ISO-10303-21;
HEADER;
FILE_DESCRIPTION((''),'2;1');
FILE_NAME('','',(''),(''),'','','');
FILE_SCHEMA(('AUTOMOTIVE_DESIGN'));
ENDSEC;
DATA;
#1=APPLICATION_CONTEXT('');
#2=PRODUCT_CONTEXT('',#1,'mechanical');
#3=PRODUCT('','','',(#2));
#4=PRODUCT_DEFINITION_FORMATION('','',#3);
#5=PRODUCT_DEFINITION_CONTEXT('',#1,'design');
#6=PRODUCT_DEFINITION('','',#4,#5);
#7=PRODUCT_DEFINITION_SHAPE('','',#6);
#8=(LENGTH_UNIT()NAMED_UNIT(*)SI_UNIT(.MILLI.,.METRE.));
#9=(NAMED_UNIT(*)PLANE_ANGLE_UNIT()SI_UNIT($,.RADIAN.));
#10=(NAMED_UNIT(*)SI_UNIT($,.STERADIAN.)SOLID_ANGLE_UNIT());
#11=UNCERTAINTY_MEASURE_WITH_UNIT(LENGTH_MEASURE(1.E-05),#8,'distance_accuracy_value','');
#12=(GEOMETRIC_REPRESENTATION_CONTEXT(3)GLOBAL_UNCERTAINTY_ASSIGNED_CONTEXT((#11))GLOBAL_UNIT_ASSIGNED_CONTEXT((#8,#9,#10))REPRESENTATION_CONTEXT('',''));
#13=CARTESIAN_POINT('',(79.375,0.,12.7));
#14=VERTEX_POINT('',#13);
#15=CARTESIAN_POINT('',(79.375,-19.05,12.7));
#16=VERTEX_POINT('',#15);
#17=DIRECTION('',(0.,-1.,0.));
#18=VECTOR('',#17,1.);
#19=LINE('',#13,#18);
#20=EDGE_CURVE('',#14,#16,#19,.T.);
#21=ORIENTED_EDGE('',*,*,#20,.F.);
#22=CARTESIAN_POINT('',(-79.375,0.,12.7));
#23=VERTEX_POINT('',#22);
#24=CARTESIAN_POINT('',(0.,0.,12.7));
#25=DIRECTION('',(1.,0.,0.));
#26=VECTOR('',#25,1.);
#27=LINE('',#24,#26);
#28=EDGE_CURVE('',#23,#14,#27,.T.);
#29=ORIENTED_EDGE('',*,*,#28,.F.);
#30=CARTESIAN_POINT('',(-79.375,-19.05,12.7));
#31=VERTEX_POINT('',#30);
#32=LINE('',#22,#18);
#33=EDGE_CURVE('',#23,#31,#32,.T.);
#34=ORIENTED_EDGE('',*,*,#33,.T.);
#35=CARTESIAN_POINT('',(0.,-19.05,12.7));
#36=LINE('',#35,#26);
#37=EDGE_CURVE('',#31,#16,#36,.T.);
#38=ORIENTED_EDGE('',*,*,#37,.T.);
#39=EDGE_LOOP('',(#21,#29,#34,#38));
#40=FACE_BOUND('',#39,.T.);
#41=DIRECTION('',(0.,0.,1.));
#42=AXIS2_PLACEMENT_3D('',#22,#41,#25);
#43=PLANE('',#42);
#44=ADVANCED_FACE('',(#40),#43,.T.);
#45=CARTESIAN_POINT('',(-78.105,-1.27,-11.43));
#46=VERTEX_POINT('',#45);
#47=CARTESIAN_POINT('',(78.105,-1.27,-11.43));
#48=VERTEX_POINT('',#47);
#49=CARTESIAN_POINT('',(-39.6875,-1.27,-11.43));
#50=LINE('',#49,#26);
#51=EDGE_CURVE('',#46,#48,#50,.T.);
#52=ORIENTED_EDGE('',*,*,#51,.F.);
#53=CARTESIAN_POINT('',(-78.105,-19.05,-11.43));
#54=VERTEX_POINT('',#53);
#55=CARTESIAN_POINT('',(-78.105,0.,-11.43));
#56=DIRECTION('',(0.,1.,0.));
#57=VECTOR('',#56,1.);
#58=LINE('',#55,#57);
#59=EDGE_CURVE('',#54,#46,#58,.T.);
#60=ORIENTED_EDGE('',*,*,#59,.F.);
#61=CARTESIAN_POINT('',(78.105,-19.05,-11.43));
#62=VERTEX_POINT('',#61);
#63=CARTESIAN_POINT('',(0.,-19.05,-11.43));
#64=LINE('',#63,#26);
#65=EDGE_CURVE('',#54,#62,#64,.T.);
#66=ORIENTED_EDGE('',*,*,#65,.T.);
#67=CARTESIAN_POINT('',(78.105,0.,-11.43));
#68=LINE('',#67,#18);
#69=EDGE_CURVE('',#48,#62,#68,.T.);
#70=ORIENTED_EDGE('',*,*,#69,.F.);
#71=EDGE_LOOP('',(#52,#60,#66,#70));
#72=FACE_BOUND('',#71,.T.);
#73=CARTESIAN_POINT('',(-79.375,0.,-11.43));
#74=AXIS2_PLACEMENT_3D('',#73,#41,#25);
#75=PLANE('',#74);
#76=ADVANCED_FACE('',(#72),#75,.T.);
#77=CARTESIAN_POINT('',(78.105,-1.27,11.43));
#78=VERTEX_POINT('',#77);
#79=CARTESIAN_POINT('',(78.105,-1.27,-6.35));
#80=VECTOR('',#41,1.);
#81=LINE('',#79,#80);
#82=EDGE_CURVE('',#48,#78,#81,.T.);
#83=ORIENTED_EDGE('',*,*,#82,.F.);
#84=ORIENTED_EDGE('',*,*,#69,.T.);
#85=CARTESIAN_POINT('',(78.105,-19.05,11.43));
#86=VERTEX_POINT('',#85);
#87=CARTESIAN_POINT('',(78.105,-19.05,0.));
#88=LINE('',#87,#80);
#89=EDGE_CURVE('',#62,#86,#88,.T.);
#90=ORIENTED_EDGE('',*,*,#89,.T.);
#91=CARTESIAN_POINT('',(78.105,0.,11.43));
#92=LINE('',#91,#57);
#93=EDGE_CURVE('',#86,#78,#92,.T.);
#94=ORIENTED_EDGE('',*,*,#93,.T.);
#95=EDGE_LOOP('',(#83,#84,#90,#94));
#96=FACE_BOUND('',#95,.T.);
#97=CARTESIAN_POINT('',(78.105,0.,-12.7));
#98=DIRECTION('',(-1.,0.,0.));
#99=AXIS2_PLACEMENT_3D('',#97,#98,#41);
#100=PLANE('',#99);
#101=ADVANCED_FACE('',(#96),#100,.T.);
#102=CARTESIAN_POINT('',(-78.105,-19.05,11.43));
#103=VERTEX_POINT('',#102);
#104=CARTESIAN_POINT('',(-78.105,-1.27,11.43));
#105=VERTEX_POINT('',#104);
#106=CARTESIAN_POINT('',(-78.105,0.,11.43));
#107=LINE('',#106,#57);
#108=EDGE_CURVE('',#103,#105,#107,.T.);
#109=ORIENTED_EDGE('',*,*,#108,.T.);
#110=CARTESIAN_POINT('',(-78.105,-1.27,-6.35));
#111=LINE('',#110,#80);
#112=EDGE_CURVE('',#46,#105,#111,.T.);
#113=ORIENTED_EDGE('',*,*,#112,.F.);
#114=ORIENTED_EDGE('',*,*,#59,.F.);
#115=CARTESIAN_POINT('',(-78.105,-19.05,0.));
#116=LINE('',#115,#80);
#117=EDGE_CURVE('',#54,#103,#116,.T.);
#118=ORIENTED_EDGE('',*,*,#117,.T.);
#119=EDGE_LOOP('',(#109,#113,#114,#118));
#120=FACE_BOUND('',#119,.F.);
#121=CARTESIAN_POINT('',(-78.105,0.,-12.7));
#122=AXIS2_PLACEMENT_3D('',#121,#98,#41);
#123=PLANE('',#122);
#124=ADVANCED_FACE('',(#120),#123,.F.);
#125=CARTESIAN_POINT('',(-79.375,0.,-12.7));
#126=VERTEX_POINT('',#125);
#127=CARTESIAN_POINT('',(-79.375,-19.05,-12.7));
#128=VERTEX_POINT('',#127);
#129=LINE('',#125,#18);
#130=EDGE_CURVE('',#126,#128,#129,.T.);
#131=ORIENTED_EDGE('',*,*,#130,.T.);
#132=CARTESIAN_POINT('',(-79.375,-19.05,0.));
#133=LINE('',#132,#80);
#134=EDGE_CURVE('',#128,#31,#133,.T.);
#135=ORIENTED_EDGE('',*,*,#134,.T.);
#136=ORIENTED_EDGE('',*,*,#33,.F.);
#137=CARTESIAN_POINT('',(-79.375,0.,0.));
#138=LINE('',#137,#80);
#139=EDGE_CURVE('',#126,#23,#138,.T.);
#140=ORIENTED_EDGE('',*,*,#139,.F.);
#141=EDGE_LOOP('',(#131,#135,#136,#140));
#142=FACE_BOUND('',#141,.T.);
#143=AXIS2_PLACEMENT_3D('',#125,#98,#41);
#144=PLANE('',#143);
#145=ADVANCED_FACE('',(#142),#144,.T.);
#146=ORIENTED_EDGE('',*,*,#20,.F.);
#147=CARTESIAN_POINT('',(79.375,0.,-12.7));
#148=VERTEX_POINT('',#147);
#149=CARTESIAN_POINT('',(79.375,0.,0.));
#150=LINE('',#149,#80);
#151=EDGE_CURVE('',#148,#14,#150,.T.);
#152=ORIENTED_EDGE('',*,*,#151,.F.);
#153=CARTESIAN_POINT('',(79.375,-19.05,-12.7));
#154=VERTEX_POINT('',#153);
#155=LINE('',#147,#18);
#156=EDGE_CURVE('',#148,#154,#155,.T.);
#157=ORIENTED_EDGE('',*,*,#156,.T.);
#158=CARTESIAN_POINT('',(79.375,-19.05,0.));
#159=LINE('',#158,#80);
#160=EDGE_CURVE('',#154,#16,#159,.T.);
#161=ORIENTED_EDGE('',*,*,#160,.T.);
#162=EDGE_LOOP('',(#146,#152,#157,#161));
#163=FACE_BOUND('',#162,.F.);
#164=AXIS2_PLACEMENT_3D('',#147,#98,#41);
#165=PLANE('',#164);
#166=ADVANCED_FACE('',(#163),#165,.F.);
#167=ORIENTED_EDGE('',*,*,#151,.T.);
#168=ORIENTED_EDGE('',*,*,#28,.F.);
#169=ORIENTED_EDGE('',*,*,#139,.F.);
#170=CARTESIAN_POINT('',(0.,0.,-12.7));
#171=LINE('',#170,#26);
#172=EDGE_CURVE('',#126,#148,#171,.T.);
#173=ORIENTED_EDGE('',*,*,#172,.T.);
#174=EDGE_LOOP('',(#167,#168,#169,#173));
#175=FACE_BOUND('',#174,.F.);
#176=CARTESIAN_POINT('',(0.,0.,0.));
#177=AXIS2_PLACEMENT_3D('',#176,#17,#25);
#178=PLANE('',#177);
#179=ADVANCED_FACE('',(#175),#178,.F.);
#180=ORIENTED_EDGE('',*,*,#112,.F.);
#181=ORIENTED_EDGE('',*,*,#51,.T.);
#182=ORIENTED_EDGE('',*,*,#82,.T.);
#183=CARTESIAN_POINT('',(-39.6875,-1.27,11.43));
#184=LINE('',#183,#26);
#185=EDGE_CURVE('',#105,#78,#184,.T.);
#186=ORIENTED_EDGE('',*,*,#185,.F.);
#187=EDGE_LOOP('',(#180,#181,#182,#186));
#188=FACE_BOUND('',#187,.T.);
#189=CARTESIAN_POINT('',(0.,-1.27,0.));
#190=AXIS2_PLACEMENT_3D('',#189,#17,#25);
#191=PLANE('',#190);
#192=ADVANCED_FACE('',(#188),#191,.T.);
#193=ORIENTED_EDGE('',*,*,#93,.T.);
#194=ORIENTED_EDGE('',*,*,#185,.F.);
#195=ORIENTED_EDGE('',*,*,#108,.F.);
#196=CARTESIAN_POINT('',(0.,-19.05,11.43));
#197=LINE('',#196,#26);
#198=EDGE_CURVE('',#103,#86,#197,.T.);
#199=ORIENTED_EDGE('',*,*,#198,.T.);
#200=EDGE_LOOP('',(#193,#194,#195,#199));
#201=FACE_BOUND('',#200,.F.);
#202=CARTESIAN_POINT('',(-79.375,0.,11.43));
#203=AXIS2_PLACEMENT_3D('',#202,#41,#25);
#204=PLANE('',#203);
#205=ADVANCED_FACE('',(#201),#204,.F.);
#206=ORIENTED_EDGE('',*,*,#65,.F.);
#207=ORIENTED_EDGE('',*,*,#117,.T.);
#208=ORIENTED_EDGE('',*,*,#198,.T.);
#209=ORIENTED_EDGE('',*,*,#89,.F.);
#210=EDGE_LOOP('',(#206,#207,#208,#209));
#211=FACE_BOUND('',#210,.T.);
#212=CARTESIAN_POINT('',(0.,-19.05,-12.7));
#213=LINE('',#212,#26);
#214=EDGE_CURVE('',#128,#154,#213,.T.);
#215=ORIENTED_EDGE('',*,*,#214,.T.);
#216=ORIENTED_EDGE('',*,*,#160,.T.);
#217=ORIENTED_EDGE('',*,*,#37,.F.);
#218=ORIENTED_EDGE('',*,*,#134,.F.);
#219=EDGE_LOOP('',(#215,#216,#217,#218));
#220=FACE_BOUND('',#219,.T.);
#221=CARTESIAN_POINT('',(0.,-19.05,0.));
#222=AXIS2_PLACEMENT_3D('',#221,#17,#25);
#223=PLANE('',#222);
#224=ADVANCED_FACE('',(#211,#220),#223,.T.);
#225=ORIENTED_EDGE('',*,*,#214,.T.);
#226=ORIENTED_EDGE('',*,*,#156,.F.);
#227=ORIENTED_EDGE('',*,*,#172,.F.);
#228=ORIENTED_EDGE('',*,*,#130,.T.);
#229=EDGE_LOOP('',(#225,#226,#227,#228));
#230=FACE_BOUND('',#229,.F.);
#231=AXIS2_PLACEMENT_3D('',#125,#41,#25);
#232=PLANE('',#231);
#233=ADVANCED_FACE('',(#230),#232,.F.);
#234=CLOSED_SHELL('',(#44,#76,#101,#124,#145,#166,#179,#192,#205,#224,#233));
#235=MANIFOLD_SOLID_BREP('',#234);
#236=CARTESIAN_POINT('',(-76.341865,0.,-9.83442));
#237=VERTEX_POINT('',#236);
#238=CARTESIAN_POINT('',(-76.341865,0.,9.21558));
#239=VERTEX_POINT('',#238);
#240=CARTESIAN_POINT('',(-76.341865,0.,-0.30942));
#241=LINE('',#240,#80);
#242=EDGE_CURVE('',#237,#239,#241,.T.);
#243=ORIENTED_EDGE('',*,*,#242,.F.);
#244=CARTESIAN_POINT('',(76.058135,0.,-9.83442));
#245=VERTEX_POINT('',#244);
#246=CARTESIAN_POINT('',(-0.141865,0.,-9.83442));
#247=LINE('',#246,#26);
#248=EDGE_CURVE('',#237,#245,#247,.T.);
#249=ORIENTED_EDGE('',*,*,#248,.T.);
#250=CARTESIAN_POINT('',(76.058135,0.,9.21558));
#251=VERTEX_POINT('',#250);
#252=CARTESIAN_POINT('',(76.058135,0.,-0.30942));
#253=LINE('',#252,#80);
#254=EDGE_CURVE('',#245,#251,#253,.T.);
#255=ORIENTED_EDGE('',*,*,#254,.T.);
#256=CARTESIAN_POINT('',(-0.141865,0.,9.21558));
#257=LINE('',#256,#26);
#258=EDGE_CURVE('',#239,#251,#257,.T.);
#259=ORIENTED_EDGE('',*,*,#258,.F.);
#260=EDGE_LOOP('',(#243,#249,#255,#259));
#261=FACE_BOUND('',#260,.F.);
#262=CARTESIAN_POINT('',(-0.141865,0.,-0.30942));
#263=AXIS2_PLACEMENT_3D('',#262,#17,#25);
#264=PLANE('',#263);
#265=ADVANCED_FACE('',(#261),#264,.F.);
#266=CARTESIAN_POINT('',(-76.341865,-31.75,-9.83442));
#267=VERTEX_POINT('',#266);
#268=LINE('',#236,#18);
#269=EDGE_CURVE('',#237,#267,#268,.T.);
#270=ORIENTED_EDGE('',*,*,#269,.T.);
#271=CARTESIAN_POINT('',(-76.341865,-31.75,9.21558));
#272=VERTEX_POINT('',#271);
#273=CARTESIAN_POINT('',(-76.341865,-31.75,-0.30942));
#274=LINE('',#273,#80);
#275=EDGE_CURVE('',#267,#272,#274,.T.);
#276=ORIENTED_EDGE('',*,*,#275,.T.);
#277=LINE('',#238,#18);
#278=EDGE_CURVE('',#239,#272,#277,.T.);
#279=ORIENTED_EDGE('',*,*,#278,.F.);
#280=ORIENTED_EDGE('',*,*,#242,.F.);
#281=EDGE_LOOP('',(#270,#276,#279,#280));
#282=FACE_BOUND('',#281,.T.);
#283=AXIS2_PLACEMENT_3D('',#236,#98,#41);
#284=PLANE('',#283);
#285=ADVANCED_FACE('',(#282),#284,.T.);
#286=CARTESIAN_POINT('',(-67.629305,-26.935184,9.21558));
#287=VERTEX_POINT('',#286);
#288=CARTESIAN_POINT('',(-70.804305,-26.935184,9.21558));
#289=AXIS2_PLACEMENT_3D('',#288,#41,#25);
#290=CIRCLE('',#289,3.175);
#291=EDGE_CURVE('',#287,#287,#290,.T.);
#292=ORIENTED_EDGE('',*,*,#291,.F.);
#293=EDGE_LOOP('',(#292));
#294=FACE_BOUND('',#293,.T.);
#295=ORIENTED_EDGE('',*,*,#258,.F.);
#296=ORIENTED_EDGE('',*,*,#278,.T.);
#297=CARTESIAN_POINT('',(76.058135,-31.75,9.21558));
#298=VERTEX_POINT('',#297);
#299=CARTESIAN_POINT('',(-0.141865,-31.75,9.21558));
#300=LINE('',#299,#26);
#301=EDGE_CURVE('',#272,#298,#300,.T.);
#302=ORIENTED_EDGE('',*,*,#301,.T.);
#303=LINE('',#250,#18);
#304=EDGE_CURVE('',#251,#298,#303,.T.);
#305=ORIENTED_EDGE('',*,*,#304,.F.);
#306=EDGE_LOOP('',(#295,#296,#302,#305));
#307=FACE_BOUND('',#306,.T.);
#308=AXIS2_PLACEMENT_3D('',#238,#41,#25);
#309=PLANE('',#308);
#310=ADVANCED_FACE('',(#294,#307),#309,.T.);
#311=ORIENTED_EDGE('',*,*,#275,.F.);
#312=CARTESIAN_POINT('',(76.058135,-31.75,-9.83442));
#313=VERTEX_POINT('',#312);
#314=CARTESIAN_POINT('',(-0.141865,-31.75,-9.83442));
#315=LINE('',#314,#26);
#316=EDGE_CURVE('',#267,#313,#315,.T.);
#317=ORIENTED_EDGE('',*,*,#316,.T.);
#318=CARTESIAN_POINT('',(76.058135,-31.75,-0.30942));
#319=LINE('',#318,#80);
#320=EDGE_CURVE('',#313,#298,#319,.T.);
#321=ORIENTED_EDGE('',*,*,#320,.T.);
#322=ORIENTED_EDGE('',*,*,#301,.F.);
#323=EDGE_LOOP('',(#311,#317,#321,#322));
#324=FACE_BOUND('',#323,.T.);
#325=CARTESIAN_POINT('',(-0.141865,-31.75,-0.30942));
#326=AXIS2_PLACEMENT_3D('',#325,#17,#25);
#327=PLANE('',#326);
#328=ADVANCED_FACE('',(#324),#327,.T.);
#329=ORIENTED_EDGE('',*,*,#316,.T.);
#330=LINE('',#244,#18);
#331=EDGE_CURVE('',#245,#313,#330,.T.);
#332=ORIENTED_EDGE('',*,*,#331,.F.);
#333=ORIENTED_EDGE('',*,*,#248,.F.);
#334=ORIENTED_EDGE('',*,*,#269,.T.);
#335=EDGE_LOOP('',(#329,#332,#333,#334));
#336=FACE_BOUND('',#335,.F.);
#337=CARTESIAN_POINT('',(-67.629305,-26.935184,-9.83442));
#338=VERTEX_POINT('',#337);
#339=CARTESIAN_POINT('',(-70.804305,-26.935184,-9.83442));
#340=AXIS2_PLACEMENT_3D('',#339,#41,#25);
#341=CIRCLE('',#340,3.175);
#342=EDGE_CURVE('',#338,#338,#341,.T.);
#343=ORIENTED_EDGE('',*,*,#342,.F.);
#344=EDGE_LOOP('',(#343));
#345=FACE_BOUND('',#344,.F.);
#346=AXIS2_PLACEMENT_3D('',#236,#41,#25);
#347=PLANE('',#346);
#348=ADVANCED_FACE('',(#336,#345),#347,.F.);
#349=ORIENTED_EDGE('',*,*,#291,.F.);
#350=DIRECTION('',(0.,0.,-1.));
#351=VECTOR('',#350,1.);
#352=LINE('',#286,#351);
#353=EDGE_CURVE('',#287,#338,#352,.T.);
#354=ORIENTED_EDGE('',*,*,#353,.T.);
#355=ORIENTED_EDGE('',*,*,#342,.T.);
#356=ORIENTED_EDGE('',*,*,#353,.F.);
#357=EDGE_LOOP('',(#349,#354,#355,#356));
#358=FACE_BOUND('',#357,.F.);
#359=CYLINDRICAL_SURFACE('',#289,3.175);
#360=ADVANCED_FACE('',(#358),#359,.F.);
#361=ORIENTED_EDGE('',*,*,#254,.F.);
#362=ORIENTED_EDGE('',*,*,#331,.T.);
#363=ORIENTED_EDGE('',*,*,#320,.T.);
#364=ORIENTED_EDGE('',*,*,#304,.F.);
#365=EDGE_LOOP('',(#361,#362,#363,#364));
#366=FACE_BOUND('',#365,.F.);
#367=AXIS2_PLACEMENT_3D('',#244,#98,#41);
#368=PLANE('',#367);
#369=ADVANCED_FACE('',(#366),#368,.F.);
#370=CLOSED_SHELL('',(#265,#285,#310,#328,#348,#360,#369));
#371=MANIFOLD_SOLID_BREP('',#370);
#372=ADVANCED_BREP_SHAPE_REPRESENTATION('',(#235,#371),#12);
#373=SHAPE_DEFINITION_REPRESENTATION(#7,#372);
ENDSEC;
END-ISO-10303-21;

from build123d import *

# Parameters (mm, degrees)
F0_W     = 158.75
F0_H     = 25.4
F1_DEPTH = 19.05
F2_T     = -1.27
F3_W     = 152.4
F3_H     = 19.05
F4_DEPTH = 31.75
F5_R     = 3.175
F6_DEPTH = 25.4


with BuildPart() as f1:
    # F0 (on Front) → F1 (new body)
    with BuildSketch(Plane.XZ):
        Rectangle(F0_W, F0_H)
    extrude(amount=F1_DEPTH)

    # F2
    f2_openings = [f1.faces().sort_by_distance(p)[0] for p in [
        (0, -19.05, 0),
    ]]
    offset(amount=F2_T, openings=f2_openings)


with BuildPart() as f4:
    # F3 (on Front) → F4 (new body)
    with BuildSketch(Plane.XZ):
        with Locations((-0.141865, -0.30942)):
            Rectangle(F3_W, F3_H)
    extrude(amount=F4_DEPTH)

    # F5 (on face) → F6 (cut)
    with BuildSketch(Plane.XY.offset(9.21558)):
        with Locations((-70.804305, -26.935184)):
            Circle(F5_R)
    extrude(amount=-F6_DEPTH, mode=Mode.SUBTRACT)


solid = Compound([f1.part, f4.part])
